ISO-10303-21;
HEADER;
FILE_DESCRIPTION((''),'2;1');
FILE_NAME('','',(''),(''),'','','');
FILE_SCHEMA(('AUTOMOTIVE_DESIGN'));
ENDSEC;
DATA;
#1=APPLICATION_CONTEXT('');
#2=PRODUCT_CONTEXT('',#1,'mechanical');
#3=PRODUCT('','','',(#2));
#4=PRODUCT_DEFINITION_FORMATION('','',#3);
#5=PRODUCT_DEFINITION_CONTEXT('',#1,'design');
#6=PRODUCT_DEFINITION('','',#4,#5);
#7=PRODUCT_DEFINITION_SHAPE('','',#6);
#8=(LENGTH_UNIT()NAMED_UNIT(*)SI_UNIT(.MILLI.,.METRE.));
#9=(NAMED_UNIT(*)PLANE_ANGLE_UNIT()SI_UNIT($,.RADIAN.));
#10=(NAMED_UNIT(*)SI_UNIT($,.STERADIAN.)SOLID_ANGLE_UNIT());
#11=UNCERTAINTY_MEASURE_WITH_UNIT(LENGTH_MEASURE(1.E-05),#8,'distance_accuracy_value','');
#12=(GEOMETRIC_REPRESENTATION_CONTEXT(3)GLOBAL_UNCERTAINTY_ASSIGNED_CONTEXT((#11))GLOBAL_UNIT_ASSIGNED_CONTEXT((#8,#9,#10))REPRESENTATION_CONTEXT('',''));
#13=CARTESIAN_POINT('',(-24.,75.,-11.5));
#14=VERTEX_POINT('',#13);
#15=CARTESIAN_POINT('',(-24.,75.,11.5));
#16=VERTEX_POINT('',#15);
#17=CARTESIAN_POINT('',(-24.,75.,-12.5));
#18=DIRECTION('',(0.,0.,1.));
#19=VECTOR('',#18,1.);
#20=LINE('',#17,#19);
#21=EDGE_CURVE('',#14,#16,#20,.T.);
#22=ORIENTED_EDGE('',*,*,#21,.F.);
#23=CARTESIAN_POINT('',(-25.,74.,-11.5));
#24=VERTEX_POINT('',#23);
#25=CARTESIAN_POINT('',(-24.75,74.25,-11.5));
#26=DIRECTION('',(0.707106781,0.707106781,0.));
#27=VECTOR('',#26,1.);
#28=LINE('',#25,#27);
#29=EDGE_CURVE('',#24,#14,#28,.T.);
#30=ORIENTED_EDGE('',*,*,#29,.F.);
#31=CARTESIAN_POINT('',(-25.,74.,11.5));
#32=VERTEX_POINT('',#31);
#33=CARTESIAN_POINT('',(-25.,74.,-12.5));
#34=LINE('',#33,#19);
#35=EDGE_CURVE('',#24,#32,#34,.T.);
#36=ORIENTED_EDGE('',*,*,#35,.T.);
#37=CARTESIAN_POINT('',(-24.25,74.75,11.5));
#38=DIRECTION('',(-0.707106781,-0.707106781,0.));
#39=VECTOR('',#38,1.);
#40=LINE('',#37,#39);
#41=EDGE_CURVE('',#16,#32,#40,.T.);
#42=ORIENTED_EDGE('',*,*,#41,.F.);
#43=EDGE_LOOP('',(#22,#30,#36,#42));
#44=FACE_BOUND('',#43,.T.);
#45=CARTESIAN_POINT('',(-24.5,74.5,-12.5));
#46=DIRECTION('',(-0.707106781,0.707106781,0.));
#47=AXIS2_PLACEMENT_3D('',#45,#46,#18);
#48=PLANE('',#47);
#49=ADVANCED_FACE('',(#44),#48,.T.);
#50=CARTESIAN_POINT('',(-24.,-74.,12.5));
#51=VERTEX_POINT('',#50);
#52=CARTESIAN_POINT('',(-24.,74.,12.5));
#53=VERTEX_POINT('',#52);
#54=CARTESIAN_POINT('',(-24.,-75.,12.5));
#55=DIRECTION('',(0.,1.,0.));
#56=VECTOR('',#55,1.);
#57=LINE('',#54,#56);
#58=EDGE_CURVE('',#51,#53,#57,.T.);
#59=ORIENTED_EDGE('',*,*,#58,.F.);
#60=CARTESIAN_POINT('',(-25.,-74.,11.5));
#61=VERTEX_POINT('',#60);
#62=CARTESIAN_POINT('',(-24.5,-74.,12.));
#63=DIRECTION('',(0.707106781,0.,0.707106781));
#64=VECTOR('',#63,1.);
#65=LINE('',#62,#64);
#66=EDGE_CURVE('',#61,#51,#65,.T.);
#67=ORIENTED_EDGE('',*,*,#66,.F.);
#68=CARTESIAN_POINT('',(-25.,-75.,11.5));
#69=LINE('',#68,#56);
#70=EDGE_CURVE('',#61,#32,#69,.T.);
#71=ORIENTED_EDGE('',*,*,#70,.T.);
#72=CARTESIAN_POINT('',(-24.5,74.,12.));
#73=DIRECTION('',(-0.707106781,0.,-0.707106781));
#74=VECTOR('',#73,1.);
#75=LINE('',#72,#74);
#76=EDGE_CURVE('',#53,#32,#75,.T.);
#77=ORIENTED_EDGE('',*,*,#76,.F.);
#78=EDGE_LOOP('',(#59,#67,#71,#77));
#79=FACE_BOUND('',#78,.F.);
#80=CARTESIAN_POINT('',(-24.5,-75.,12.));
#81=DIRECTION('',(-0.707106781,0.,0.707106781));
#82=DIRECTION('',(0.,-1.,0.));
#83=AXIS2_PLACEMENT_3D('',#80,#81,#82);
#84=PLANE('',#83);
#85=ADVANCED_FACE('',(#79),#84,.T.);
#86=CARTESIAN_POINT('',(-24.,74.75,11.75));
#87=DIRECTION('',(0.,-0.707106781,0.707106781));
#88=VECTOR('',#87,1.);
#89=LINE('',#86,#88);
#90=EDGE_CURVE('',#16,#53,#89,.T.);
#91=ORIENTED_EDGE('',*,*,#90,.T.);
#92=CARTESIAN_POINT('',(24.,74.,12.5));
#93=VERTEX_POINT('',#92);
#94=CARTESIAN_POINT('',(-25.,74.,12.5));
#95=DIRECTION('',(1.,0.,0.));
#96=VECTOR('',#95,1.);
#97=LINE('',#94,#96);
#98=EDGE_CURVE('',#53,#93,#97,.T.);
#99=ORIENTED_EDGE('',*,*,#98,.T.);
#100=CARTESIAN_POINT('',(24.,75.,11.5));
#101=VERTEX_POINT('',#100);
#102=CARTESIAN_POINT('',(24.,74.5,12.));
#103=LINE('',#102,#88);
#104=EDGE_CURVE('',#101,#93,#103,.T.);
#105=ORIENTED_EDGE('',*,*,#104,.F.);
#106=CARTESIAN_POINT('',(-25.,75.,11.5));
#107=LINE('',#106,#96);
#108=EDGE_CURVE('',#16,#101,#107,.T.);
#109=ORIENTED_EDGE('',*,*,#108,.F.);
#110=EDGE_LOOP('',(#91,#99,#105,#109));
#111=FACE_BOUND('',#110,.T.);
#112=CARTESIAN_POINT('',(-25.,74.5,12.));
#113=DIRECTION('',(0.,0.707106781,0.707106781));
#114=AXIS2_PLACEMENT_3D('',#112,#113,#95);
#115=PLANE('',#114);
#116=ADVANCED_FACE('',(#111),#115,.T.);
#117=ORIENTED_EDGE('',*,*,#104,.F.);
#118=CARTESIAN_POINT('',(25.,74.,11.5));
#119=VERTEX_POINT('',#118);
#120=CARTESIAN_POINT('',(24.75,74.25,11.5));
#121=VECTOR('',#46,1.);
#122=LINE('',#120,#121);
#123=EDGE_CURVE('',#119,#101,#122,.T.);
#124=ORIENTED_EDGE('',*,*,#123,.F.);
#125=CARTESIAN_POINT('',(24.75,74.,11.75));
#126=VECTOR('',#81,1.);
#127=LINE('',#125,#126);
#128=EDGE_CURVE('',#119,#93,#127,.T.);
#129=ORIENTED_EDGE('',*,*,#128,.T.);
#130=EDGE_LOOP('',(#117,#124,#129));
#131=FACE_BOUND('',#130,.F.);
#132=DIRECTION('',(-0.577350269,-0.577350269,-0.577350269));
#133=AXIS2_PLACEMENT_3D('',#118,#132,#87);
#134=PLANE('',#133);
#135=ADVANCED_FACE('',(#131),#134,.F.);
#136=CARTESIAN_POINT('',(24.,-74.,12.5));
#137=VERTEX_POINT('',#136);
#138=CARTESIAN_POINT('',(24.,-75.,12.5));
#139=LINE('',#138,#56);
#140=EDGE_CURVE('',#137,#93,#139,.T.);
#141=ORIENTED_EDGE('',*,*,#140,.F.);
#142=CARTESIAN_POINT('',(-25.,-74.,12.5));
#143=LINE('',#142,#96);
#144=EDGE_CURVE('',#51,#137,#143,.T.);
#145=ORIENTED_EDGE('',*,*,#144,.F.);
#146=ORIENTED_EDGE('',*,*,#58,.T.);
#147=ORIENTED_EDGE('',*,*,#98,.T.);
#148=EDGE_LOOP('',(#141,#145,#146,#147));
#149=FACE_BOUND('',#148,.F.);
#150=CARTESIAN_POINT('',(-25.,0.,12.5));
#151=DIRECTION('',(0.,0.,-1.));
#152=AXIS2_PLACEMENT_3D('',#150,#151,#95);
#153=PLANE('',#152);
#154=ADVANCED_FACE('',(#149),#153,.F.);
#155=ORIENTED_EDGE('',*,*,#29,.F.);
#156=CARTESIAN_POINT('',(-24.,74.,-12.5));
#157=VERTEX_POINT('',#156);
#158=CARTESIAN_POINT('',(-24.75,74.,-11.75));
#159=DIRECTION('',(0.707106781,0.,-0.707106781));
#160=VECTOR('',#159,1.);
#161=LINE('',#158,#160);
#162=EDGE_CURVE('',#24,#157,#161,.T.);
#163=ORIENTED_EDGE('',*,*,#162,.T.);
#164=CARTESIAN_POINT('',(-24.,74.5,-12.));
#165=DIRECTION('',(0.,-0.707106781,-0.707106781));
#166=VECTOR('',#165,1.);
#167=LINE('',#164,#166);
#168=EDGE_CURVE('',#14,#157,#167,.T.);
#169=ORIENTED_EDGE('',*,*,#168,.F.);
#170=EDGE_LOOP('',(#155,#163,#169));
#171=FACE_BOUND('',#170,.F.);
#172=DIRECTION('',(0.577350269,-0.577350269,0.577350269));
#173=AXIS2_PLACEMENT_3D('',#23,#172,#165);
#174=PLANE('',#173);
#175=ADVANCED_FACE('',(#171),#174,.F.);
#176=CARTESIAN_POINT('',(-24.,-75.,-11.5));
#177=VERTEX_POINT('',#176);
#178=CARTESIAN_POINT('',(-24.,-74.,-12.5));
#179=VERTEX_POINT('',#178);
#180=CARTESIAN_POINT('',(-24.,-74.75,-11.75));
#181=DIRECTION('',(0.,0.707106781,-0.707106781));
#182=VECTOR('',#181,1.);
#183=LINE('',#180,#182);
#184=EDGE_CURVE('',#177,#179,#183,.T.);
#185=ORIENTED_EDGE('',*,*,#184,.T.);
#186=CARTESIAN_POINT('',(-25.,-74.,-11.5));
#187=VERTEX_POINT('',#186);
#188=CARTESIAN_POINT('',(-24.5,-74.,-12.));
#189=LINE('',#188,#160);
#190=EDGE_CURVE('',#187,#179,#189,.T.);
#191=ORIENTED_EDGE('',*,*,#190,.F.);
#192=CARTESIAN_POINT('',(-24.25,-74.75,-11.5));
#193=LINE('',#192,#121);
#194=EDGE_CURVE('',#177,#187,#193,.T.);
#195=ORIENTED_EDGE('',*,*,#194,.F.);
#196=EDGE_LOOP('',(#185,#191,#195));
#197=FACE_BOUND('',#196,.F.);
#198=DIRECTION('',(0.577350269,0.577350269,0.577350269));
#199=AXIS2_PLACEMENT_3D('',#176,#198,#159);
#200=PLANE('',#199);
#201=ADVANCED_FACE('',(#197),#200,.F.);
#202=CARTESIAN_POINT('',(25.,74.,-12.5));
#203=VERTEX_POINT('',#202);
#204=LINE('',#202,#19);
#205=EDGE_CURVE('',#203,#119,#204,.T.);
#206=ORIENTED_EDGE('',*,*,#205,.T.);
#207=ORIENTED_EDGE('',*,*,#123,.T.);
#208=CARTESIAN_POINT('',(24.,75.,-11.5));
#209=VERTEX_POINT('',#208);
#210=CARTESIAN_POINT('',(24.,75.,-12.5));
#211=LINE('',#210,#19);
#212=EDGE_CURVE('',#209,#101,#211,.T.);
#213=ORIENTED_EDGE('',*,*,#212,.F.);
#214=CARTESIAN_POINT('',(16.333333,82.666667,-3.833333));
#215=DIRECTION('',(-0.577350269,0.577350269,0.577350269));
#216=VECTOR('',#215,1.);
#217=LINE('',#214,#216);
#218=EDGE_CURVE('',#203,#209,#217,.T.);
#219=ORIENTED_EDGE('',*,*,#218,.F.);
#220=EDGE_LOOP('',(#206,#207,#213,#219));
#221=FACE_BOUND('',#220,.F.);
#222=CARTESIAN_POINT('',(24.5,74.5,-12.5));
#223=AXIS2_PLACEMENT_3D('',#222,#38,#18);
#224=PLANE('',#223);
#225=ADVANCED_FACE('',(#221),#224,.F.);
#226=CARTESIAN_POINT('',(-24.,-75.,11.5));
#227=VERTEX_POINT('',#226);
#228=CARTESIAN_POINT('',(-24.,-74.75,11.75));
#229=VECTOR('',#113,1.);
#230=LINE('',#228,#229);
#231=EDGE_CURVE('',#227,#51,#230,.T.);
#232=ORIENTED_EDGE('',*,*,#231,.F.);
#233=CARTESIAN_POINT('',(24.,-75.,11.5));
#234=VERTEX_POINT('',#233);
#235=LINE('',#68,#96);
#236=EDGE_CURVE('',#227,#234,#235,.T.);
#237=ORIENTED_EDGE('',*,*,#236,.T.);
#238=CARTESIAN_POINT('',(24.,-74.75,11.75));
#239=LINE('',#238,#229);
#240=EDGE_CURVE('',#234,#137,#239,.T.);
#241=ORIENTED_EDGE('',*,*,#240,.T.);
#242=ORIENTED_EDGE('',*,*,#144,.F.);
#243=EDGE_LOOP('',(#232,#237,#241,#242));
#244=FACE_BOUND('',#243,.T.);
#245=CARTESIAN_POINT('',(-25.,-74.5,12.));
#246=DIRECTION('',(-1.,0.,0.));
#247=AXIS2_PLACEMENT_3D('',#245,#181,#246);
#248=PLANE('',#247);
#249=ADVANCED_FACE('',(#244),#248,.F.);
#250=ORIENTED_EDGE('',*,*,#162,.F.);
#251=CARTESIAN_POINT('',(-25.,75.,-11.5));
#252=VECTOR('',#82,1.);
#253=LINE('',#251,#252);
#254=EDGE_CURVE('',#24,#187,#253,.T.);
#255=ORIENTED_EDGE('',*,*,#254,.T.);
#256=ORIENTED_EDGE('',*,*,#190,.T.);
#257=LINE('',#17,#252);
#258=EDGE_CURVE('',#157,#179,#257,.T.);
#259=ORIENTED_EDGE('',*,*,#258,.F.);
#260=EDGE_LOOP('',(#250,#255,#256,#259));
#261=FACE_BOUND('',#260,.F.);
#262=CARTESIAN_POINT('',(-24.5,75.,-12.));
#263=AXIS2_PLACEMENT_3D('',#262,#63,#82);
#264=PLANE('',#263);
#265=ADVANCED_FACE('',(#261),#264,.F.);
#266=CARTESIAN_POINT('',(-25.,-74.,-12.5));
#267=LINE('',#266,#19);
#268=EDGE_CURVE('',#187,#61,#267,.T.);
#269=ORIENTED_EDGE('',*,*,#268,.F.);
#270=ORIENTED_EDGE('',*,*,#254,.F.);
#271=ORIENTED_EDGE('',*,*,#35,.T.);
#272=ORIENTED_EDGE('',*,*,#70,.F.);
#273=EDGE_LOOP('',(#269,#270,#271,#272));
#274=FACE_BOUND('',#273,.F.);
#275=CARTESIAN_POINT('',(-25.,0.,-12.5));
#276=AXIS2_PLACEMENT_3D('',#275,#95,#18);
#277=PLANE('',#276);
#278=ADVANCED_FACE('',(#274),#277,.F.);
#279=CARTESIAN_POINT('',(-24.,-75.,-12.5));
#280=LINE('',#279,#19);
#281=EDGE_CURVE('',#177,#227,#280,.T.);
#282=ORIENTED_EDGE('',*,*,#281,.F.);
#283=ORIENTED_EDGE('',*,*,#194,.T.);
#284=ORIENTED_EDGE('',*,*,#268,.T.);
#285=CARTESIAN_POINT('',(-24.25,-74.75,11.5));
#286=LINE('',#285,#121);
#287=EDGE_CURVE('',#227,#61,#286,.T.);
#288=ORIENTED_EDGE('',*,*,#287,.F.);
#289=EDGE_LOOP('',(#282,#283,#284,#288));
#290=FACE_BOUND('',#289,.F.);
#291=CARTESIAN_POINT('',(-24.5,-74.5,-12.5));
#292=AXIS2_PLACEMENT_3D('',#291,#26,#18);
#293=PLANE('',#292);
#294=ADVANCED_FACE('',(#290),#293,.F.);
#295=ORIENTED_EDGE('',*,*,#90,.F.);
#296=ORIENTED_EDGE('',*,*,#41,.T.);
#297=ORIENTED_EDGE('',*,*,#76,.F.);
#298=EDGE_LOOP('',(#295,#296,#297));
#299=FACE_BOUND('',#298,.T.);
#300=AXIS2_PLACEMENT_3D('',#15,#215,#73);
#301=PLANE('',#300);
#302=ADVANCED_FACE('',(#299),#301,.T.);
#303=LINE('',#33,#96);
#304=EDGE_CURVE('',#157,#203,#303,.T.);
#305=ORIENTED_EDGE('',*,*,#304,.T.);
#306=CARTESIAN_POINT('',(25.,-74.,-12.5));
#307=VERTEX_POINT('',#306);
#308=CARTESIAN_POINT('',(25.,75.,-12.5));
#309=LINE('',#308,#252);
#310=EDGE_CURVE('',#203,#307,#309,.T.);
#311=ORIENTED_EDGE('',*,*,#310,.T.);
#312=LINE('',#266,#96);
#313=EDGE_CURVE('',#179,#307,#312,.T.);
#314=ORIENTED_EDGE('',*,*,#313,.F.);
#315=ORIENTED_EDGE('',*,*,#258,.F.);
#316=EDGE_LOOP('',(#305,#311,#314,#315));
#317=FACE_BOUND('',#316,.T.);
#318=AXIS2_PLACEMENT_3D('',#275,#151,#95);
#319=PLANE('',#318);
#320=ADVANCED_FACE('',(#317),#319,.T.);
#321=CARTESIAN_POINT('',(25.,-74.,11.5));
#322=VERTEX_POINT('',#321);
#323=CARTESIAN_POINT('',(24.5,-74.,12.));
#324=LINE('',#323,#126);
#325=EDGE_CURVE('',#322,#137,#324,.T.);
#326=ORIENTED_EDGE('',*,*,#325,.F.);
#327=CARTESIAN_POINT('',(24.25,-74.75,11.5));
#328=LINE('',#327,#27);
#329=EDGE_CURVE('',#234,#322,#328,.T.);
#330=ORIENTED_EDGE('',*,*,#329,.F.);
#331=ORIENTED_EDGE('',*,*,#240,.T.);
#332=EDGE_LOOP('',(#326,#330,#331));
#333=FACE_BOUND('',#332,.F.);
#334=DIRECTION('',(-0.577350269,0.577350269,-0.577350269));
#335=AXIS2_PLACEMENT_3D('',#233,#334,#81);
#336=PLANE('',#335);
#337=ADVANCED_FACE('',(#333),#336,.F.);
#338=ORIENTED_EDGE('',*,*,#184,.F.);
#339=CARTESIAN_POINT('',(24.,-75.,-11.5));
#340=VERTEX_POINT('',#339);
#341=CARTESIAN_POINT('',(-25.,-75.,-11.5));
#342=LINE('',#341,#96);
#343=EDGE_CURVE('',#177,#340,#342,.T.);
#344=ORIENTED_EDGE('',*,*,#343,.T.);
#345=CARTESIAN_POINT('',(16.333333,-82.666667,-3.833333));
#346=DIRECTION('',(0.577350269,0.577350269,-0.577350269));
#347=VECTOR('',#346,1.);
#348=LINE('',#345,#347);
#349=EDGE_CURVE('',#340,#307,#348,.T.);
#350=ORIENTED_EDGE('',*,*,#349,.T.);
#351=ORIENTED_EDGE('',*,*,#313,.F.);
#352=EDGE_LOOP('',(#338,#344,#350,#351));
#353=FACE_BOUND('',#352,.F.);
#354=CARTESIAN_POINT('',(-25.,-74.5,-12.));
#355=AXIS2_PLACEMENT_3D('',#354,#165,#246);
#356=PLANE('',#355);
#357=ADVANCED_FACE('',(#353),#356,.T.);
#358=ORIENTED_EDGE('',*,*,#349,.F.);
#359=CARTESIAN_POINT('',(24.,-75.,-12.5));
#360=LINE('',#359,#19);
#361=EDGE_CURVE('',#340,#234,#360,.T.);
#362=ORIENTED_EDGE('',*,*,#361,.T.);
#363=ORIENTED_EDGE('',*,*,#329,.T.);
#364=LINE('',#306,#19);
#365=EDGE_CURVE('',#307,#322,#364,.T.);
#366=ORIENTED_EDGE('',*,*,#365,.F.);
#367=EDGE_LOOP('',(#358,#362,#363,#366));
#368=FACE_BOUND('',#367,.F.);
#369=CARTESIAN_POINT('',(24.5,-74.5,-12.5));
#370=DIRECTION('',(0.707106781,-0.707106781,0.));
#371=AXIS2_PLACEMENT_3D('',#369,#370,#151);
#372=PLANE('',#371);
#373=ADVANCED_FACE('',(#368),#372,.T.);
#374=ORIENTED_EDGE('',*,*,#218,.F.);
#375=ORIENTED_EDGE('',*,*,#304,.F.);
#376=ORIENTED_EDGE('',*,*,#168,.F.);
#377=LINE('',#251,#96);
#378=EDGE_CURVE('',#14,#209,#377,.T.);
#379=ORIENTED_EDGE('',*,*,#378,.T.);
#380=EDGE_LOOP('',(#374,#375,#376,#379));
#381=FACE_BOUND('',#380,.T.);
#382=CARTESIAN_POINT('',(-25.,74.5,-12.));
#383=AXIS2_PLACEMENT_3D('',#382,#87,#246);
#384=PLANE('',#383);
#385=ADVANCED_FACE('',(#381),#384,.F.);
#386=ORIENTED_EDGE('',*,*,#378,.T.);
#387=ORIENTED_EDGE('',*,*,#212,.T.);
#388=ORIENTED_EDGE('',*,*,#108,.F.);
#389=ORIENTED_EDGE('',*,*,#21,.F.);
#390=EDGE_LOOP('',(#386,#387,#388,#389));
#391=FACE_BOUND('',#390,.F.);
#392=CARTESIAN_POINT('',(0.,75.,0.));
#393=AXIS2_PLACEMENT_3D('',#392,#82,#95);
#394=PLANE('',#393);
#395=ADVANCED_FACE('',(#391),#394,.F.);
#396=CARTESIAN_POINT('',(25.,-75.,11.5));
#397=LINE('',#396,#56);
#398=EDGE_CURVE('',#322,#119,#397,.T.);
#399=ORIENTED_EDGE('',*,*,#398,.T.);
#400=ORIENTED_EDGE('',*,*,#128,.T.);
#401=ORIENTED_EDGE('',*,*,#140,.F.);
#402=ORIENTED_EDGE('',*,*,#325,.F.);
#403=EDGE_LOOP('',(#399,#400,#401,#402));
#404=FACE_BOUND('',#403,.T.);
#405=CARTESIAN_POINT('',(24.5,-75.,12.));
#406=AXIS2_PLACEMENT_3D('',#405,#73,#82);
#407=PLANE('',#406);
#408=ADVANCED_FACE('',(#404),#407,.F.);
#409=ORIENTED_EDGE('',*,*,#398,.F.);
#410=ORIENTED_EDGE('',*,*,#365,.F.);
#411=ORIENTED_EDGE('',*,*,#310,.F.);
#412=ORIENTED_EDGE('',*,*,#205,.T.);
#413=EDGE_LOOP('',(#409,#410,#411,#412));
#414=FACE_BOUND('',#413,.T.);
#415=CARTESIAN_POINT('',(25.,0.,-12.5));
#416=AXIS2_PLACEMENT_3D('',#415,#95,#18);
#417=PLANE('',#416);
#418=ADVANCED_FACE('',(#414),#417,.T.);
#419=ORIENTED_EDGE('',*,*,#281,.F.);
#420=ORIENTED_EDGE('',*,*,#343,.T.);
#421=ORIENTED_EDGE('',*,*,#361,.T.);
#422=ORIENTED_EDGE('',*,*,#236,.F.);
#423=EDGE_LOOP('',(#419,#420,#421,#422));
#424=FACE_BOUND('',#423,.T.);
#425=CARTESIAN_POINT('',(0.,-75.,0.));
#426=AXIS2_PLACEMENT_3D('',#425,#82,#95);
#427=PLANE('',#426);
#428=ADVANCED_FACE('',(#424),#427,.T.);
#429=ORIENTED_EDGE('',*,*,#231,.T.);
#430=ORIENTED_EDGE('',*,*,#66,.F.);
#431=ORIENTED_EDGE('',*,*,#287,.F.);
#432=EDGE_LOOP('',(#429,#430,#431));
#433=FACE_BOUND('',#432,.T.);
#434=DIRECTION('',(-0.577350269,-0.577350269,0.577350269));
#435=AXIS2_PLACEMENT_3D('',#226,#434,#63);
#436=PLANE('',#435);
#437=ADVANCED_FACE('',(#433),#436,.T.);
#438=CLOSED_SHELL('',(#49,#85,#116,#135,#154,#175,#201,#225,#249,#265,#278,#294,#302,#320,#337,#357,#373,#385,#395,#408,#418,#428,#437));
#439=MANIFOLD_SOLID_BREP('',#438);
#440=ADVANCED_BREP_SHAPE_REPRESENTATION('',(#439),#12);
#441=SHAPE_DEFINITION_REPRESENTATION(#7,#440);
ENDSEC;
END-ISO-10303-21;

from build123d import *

# Parameters (mm, degrees)
F0_W     = 50
F0_H     = 25
F1_DEPTH = 75
F2_SIZE  = 1


with BuildPart() as f1:
    # F0 (on Front) → F1 (new body, symmetric)
    with BuildSketch(Plane.XZ):
        Rectangle(F0_W, F0_H)
    extrude(amount=F1_DEPTH, both=True)

    # F2
    f2_edges = [f1.edges().sort_by_distance(p)[0] for p in [
        (-25, 0, 12.5),
        (0, 75, 12.5),
        (25, 75, 0),
        (0, 75, -12.5),
        (-25, 75, 0),
        (-25, 0, -12.5),
        (25, 0, 12.5),
        (-25, -75, 0),
        (25, -75, 0),
        (0, -75, -12.5),
        (0, -75, 12.5),
    ]]
    chamfer(f2_edges, length=F2_SIZE)


solid = f1.part
